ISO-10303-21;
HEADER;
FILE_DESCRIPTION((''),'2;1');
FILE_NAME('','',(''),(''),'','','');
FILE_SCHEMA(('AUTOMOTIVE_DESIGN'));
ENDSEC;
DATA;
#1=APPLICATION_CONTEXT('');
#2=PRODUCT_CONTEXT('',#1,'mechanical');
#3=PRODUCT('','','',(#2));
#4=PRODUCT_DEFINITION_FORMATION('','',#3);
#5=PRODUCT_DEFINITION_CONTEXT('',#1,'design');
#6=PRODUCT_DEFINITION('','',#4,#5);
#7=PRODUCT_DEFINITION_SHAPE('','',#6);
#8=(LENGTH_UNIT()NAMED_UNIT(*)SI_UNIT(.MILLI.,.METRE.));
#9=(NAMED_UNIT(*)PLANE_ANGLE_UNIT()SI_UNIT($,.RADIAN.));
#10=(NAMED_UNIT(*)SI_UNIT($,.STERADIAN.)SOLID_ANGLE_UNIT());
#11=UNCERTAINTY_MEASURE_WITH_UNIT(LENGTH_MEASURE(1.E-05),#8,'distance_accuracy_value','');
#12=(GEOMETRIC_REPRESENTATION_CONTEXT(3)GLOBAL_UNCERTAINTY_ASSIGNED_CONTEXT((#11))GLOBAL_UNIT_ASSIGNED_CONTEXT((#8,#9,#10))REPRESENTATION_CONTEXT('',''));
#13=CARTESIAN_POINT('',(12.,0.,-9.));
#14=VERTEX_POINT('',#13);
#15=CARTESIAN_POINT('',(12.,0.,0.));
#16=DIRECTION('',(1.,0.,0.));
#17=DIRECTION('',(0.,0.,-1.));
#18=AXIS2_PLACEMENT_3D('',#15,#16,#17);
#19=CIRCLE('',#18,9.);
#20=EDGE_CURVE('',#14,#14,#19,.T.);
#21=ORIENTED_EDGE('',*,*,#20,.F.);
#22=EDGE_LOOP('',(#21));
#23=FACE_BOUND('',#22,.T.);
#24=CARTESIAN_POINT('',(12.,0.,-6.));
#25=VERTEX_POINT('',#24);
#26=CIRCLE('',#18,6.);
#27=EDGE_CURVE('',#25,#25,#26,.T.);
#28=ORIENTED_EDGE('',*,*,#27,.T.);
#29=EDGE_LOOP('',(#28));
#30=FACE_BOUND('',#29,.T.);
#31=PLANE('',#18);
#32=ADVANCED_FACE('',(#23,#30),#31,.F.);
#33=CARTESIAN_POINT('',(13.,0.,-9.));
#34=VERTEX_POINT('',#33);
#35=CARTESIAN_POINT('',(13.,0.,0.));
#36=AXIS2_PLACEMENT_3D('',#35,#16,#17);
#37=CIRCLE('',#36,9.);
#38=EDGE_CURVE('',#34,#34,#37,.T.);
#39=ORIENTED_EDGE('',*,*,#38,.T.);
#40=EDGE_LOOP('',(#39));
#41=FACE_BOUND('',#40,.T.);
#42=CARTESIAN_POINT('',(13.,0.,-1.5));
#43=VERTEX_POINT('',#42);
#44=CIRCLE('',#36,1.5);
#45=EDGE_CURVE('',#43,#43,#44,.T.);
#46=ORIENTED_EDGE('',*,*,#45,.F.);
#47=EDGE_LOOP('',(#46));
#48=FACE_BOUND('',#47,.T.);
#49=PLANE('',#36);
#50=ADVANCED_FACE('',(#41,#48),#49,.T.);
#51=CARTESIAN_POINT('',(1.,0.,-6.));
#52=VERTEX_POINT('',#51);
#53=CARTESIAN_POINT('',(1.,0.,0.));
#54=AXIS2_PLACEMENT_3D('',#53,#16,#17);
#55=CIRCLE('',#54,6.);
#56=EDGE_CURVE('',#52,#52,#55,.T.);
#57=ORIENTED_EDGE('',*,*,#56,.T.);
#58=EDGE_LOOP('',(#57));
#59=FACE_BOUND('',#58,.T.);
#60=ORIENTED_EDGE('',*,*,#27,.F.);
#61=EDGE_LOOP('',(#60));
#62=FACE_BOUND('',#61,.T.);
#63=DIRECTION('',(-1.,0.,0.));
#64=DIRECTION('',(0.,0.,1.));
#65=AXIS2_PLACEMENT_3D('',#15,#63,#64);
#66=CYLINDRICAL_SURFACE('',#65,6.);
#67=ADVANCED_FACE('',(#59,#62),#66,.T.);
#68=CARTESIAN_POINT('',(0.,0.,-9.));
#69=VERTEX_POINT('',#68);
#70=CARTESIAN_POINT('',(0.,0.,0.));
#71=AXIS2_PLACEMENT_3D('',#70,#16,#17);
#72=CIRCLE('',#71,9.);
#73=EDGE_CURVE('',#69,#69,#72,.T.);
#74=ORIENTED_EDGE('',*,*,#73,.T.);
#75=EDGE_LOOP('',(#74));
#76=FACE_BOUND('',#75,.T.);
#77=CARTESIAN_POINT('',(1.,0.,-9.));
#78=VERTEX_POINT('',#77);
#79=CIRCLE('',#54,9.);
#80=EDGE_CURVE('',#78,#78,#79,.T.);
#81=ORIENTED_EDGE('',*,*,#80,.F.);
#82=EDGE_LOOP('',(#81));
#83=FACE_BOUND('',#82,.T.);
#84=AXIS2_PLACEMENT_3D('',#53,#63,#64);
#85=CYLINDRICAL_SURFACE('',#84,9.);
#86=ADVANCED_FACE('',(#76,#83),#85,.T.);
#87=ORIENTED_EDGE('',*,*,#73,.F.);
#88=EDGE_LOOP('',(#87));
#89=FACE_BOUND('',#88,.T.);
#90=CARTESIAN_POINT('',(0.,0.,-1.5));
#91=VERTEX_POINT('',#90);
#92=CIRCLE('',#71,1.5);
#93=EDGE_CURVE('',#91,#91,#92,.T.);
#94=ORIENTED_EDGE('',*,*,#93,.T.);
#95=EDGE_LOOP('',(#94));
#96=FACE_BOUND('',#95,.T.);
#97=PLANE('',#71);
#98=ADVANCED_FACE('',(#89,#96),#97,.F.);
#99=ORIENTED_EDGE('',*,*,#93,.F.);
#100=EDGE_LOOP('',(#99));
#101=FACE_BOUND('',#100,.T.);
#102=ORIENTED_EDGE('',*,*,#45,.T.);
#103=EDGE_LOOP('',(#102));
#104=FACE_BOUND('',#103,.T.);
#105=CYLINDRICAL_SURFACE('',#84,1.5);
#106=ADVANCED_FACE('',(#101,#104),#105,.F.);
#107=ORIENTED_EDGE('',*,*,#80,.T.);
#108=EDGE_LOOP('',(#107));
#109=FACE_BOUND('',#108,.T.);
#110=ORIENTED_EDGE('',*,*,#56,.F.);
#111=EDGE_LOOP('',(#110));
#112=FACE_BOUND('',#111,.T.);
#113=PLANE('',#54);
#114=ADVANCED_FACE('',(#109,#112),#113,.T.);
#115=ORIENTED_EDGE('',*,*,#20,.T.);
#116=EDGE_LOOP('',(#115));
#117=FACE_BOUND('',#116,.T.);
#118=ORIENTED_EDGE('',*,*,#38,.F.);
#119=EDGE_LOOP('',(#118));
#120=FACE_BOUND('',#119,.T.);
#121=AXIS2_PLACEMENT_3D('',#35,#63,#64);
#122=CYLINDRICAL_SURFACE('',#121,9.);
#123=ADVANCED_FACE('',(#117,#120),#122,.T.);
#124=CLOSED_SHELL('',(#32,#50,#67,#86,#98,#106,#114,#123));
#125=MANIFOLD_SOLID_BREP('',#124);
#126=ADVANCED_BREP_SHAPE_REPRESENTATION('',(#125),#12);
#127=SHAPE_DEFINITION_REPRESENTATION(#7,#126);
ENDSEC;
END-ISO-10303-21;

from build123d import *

# Parameters (mm, degrees)
SKETCH1_R           = 9
SKETCH1_R_2         = 1.5
BOSS_EXTRUDE1_DEPTH = 1
SKETCH2_R           = 6
SKETCH2_R_2         = 1.5
BOSS_EXTRUDE2_DEPTH = 11
SKETCH3_R           = 9
SKETCH3_R_2         = 1.5
BOSS_EXTRUDE3_DEPTH = 1


with BuildPart() as part:
    # Sketch1 → Boss-Extrude1 (new body)
    with BuildSketch(Plane(origin=(0, 0, 0), x_dir=(0, 0, -1), z_dir=(1, 0, 0))):
        Circle(SKETCH1_R)
        Circle(SKETCH1_R_2, mode=Mode.SUBTRACT)
    extrude(amount=BOSS_EXTRUDE1_DEPTH)

    # Sketch2 → Boss-Extrude2 (add)
    with BuildSketch(Plane(origin=(1, 0, 0), x_dir=(0, 0, -1), z_dir=(1, 0, 0))):
        Circle(SKETCH2_R)
        Circle(SKETCH2_R_2, mode=Mode.SUBTRACT)
    extrude(amount=BOSS_EXTRUDE2_DEPTH)

    # Sketch3 → Boss-Extrude3 (add)
    with BuildSketch(Plane(origin=(12, 0, 0), x_dir=(0, 0, -1), z_dir=(1, 0, 0))):
        Circle(SKETCH3_R)
        Circle(SKETCH3_R_2, mode=Mode.SUBTRACT)
    extrude(amount=BOSS_EXTRUDE3_DEPTH)


solid = part.part
